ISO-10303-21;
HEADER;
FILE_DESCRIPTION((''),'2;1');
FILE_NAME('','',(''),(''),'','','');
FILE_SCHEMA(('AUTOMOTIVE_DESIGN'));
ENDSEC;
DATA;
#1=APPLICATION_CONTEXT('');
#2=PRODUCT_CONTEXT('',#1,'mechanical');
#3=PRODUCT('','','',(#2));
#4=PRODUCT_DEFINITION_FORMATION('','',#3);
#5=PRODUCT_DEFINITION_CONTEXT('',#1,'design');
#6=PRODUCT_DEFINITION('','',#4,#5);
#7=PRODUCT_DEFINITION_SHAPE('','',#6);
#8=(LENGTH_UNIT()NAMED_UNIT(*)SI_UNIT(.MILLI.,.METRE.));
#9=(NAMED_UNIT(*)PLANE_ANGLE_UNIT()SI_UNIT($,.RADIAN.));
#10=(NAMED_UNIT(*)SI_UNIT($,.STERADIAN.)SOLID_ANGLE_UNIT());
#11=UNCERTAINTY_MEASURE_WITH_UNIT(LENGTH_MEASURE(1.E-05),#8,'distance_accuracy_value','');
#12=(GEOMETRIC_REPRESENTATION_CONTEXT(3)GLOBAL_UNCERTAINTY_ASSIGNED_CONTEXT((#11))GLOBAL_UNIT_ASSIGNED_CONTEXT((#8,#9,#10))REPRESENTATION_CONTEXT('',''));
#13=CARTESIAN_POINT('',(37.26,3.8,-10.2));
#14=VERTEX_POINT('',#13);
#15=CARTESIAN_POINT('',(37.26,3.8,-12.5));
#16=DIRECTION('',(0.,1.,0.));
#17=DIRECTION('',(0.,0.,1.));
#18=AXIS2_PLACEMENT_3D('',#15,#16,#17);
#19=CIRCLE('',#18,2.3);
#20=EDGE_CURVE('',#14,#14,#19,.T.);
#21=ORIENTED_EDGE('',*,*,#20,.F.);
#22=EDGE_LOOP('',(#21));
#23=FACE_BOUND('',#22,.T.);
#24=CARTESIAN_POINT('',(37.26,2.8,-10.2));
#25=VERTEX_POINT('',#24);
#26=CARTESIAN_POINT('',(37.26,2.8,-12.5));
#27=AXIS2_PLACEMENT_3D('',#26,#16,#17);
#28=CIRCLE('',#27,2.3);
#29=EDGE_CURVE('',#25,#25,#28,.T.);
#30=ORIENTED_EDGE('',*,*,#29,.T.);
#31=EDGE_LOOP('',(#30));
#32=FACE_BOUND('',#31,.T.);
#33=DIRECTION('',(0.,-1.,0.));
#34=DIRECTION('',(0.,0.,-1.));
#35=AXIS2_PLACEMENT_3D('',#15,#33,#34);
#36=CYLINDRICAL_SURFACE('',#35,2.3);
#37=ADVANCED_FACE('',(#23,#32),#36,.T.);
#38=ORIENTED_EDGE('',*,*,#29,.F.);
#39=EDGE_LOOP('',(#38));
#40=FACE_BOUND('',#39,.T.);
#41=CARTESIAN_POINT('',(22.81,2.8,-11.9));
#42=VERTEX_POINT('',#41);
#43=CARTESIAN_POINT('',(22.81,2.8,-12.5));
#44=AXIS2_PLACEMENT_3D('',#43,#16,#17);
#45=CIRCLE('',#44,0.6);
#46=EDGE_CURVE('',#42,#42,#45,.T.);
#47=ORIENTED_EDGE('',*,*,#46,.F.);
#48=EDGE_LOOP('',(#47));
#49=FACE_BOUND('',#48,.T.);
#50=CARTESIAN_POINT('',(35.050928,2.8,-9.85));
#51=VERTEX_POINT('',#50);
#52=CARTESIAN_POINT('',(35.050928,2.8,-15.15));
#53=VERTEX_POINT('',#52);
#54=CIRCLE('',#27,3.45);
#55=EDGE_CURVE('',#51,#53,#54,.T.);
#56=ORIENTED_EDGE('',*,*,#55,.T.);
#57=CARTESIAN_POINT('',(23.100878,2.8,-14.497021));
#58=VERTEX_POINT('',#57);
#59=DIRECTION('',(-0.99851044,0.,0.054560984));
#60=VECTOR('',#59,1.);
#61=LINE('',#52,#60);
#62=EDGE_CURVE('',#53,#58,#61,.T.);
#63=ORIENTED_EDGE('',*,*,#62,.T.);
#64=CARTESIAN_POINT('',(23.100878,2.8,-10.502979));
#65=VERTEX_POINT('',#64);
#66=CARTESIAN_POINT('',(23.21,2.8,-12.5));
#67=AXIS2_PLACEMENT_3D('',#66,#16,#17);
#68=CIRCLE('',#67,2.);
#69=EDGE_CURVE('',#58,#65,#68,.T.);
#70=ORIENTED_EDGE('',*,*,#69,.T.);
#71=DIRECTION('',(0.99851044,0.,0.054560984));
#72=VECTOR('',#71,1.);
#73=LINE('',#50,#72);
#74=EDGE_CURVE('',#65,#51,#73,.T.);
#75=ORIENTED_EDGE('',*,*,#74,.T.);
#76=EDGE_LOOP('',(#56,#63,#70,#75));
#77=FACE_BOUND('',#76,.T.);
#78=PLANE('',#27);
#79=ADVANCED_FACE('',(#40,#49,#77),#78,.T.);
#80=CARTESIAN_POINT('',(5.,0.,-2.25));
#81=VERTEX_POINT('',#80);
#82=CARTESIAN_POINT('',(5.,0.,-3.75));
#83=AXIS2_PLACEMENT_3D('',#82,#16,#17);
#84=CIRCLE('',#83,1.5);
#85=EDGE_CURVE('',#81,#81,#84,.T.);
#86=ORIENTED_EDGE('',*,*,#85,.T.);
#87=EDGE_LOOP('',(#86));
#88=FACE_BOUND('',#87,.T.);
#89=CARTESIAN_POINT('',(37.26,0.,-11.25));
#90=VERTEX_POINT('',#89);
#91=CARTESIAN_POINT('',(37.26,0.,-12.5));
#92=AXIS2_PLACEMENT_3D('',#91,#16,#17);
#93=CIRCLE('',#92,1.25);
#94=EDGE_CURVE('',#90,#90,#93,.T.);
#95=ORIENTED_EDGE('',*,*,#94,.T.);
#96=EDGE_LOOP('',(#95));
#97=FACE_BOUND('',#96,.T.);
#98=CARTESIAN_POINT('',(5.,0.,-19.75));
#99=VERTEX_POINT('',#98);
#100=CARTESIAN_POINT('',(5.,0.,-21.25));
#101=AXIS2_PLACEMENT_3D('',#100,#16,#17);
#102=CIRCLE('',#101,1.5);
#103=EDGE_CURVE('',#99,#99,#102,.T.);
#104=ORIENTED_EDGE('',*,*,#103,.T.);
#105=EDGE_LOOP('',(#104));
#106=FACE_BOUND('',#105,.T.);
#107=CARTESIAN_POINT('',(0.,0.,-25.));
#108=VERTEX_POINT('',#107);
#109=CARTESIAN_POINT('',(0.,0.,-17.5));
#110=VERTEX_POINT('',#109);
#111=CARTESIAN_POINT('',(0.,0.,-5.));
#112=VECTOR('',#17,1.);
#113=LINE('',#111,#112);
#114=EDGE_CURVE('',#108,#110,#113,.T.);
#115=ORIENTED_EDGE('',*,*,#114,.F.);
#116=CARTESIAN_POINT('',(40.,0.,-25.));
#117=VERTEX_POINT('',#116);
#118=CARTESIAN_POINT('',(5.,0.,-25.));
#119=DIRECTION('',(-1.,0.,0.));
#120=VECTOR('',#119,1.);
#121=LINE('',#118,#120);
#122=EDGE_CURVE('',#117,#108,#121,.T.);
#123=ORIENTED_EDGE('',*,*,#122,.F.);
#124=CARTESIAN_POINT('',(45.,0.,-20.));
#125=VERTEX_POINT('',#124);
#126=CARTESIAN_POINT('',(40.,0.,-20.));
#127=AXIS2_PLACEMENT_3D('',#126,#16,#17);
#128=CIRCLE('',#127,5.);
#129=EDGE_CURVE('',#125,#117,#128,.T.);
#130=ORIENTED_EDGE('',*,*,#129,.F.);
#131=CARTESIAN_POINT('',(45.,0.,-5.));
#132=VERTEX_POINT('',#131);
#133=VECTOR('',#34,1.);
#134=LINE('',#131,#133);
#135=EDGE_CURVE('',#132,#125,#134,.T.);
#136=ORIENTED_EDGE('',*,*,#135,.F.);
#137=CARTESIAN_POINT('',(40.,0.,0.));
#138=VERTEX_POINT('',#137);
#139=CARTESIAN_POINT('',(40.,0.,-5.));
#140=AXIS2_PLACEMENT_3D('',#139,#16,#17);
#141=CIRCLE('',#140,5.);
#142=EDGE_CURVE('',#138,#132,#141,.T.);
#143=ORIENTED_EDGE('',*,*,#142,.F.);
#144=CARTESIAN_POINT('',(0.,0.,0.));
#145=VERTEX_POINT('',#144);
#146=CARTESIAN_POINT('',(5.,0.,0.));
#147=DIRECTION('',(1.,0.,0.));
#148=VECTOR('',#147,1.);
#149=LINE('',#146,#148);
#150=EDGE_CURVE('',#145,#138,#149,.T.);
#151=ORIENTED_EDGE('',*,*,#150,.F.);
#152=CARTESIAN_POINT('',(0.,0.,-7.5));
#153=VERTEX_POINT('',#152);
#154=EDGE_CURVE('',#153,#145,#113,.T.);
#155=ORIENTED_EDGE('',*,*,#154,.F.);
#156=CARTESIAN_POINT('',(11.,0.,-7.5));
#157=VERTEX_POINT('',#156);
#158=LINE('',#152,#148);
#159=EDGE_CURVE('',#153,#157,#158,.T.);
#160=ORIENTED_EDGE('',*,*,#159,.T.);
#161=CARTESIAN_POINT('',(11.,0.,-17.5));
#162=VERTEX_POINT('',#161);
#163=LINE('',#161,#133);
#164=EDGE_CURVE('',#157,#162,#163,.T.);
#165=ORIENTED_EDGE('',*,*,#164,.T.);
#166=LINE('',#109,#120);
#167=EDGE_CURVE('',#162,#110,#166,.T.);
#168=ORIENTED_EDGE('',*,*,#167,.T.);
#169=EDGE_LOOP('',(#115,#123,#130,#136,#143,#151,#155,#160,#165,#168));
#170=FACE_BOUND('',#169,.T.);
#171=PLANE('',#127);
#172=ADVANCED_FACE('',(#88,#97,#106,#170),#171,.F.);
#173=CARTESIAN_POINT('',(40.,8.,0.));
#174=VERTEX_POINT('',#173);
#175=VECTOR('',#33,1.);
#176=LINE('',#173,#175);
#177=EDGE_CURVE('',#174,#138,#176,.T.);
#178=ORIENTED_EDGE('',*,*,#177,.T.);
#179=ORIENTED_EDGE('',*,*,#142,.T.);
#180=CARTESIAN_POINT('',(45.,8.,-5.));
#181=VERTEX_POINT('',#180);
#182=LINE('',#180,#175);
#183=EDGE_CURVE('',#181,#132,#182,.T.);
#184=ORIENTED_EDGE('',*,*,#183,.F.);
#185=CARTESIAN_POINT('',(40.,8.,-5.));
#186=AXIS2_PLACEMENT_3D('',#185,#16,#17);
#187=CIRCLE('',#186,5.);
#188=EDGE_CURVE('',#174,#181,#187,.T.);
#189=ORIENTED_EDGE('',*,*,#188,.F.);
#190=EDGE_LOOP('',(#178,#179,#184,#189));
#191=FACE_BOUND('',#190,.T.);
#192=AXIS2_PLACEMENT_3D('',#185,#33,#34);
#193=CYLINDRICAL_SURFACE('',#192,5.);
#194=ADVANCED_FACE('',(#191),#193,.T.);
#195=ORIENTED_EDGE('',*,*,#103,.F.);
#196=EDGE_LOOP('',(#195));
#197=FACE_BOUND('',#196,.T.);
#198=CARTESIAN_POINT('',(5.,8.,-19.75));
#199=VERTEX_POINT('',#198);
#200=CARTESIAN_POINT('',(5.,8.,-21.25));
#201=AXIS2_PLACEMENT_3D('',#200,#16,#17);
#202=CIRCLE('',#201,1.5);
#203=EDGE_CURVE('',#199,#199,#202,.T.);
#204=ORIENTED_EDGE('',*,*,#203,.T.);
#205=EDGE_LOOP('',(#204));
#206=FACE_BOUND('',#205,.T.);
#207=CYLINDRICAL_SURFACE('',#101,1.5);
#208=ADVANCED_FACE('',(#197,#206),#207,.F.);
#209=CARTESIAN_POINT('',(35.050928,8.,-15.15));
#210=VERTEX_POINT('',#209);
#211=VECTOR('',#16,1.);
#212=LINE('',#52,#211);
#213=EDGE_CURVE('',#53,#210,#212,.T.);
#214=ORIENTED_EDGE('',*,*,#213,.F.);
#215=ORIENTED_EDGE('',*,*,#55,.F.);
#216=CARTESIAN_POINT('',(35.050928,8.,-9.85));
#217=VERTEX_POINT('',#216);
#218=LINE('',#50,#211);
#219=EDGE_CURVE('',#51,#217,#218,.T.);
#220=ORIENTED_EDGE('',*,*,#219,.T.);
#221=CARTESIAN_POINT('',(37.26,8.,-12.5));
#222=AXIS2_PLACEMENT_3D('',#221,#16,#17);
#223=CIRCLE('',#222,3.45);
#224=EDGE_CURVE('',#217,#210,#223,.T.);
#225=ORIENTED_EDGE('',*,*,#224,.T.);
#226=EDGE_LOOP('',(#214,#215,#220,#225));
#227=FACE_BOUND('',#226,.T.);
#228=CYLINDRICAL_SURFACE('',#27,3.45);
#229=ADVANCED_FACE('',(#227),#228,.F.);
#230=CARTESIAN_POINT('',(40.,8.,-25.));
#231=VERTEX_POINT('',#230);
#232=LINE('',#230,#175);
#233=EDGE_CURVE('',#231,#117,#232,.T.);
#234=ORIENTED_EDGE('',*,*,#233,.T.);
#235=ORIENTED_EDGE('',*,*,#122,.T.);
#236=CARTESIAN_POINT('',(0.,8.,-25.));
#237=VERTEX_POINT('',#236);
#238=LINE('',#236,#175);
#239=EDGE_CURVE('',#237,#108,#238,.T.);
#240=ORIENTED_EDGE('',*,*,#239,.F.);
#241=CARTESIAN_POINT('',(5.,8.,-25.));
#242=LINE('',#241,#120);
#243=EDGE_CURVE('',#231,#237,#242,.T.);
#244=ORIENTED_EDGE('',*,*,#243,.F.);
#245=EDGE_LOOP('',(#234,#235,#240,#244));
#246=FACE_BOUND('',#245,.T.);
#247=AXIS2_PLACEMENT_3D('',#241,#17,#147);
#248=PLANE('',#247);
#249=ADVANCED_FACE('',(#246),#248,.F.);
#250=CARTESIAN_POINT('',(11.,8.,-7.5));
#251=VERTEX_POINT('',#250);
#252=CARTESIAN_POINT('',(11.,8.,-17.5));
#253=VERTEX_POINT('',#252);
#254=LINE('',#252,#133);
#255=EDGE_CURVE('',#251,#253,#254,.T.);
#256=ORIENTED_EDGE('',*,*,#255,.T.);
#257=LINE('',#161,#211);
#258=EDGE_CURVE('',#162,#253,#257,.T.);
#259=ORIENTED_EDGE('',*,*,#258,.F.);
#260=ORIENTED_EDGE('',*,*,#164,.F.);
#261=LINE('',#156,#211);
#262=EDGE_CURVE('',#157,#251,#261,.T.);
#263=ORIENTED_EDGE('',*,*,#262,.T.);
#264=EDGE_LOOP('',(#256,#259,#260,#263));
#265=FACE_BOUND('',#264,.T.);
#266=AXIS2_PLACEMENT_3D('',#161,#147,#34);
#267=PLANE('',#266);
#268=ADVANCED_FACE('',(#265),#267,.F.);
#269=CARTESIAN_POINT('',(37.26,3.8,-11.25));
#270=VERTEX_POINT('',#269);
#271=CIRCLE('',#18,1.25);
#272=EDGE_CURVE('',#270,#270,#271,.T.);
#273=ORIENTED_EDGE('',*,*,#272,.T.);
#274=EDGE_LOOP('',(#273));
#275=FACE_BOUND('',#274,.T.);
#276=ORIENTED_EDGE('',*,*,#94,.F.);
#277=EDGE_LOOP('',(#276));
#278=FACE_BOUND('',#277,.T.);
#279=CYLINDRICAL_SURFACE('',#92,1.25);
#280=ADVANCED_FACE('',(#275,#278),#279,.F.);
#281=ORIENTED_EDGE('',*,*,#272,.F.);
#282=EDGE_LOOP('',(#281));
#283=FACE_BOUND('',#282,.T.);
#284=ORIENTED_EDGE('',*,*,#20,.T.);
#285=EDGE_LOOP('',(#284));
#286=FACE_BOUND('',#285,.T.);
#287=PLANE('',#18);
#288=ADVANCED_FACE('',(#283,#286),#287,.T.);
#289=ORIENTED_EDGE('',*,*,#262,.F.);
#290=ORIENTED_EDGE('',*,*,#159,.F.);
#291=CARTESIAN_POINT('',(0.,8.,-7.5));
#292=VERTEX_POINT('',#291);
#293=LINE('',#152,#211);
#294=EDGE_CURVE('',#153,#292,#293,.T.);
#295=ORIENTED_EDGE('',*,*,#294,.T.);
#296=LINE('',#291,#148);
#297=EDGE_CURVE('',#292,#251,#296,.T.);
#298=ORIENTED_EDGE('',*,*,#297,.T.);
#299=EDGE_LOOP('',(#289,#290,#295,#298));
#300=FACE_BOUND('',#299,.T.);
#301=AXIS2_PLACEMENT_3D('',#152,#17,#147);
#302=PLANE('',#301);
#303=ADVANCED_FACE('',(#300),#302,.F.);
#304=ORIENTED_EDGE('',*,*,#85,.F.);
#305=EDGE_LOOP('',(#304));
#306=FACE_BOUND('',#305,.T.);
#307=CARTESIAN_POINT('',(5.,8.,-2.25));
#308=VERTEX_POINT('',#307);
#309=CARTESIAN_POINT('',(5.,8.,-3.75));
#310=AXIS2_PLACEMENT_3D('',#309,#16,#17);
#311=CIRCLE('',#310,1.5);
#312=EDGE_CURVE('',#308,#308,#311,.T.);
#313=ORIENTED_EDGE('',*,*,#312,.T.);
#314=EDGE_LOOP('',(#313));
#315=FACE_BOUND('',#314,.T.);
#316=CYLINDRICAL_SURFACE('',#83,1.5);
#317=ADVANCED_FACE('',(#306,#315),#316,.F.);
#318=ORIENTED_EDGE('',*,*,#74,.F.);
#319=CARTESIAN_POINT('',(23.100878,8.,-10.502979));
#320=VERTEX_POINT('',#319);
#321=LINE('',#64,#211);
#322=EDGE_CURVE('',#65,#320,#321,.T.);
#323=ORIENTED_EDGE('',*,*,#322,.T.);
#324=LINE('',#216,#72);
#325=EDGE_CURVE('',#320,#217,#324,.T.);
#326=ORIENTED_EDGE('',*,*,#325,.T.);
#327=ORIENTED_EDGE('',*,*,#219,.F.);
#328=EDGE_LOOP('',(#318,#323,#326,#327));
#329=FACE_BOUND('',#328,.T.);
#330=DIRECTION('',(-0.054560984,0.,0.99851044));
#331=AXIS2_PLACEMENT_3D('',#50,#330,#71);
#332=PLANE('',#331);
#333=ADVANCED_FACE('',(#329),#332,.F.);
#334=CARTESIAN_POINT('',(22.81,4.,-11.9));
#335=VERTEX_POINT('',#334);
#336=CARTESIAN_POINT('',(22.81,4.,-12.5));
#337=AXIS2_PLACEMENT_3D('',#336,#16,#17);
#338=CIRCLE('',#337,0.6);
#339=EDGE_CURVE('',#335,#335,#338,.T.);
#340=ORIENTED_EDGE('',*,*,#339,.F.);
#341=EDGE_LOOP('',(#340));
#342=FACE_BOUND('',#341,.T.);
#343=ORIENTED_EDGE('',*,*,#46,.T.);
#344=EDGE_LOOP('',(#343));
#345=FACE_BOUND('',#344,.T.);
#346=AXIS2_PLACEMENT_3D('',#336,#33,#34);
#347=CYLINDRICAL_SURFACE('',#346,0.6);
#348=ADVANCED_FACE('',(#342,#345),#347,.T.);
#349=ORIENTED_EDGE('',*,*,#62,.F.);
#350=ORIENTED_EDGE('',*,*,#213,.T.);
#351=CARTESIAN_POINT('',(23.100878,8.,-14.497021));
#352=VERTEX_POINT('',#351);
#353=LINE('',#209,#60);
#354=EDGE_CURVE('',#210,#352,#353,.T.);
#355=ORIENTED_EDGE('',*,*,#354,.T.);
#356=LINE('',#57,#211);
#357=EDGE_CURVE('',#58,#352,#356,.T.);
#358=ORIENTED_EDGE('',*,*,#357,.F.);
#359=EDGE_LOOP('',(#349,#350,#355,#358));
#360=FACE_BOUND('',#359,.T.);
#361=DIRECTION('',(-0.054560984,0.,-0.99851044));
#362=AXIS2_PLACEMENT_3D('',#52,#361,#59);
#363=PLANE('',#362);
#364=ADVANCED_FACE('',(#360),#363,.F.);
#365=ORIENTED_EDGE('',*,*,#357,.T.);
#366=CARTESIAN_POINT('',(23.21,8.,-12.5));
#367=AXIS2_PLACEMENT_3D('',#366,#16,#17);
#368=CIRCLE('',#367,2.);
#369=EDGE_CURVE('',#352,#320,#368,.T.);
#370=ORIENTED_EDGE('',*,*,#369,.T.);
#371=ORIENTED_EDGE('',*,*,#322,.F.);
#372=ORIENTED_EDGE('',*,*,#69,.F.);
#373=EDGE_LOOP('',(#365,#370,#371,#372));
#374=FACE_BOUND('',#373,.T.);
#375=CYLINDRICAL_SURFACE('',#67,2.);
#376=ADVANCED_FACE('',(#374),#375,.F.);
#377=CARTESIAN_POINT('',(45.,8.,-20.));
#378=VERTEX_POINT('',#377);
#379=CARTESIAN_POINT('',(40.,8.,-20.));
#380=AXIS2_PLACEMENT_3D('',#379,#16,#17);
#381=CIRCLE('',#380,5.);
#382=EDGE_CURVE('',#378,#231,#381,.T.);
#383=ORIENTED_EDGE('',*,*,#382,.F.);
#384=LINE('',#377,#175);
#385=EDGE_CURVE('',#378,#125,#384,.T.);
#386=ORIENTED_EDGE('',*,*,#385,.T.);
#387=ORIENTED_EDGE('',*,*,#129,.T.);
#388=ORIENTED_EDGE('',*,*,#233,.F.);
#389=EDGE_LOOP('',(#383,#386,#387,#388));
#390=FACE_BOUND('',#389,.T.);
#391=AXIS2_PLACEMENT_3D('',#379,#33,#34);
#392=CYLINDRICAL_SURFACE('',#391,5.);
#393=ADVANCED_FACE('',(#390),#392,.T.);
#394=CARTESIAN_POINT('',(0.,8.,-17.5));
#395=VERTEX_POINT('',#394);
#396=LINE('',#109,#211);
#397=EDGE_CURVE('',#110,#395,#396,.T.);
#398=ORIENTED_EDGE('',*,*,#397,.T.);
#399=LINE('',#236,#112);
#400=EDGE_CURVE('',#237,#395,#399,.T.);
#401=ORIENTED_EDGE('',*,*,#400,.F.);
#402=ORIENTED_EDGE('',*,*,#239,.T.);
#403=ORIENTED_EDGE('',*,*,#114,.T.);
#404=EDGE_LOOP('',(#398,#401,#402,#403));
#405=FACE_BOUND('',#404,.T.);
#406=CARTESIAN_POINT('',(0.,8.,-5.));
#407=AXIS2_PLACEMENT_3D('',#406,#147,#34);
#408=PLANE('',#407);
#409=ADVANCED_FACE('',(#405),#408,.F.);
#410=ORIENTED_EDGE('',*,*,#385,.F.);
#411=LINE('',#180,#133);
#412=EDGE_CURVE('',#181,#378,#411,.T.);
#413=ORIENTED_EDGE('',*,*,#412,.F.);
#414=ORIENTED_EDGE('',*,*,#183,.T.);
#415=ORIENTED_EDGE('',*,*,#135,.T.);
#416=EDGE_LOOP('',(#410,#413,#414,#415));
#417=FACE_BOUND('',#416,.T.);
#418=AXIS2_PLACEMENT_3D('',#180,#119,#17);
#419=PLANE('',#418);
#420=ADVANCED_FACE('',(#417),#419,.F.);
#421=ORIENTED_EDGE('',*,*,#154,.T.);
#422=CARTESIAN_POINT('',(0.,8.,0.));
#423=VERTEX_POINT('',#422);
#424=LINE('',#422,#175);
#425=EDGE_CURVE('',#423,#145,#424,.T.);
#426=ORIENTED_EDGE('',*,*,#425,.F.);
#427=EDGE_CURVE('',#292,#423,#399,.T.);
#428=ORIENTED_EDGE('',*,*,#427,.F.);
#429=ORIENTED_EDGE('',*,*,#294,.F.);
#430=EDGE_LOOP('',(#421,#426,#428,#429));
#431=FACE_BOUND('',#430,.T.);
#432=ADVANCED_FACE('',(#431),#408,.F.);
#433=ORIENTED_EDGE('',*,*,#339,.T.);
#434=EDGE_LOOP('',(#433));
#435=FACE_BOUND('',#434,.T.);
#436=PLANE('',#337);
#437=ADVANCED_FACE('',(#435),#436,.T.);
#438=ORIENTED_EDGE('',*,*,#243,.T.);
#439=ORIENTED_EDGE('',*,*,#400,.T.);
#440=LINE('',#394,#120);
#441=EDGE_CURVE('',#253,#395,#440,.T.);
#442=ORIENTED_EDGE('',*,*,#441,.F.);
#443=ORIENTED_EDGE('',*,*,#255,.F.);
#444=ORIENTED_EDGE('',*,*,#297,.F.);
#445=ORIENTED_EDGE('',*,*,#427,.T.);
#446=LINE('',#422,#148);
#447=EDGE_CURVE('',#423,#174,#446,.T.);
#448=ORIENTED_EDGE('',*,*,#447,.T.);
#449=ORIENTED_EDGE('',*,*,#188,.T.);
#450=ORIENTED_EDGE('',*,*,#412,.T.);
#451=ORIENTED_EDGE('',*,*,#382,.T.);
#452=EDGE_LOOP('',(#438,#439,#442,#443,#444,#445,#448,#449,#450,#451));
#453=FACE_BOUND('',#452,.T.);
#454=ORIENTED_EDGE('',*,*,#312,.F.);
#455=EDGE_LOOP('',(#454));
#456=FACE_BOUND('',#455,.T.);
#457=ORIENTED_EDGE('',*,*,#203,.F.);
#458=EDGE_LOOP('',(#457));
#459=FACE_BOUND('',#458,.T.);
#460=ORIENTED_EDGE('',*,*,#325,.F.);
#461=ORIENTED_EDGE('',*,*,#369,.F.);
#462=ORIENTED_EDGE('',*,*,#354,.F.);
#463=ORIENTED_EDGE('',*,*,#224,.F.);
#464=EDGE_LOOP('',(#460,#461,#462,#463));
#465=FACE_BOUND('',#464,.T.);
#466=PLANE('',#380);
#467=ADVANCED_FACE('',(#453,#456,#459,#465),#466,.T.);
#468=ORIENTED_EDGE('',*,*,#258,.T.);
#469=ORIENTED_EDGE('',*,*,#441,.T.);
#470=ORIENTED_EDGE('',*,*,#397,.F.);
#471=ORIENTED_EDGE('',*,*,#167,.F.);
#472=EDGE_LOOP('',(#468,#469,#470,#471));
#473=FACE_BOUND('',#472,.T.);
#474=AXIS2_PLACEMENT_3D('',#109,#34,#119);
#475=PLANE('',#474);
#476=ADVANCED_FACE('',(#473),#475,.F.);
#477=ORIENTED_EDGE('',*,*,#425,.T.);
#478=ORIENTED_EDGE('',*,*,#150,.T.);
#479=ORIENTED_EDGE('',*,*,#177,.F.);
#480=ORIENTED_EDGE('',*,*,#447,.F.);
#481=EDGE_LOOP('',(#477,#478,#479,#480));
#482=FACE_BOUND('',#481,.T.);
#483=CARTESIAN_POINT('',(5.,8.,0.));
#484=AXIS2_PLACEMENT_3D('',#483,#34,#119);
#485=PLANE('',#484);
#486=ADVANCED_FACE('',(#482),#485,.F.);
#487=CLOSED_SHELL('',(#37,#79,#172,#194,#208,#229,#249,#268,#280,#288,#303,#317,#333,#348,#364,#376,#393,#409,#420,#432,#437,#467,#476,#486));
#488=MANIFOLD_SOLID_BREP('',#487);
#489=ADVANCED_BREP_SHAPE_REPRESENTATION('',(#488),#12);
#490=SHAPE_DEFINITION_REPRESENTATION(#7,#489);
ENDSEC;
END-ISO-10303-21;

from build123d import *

# Parameters (mm, degrees)
BOSS_EXTRUDE1_DEPTH = 8
CUT_EXTRUDE1_DEPTH  = 5.2
SKETCH3_R           = 2.3
BOSS_EXTRUDE2_DEPTH = 1
SKETCH4_R           = 1.25
CUT_EXTRUDE2_DEPTH  = 4.8
SKETCH5_R           = 1.5
SKETCH5_W           = 11
SKETCH5_H           = 10
CUT_EXTRUDE3_DEPTH  = 9
SKETCH7_R           = 0.6
BOSS_EXTRUDE3_DEPTH = 1.2


with BuildPart() as part:
    # Sketch1 → Boss-Extrude1 (new body)
    with BuildSketch(Plane(origin=(0, 0, 0), x_dir=(1, 0, 0), z_dir=(0, 1, 0))):
        with BuildLine():
            Line((5, 0), (40, 0))
            ThreePointArc((40, 0), (43.535533906, 1.464466094), (45, 5))
            Line((45, 5), (45, 20))
            ThreePointArc((45, 20), (43.535533906, 23.535533906), (40, 25))
            Line((40, 25), (5, 25))
            Line((5, 25), (0, 25))
            Line((0, 25), (0, 20))
            Line((0, 20), (0, 5))
            Line((0, 5), (0, 0))
            Line((0, 0), (5, 0))
        make_face()
    extrude(amount=BOSS_EXTRUDE1_DEPTH)

    # Sketch2 → Cut-Extrude1 (cut)
    with BuildSketch(Plane(origin=(0, 8, 0), x_dir=(1, 0, 0), z_dir=(0, 1, 0))):
        with BuildLine():
            Line((35.050927797, 15.15), (23.100878033, 14.49702088))
            ThreePointArc((23.100878033, 14.49702088), (21.21, 12.5), (23.100878033, 10.50297912))
            Line((23.100878033, 10.50297912), (35.050927797, 9.85))
            ThreePointArc((35.050927797, 9.85), (40.71, 12.5), (35.050927797, 15.15))
        make_face()
    extrude(amount=-CUT_EXTRUDE1_DEPTH, mode=Mode.SUBTRACT)

    # Sketch3 → Boss-Extrude2 (add)
    with BuildSketch(Plane(origin=(0, 2.8, 0), x_dir=(1, 0, 0), z_dir=(0, 1, 0))):
        with Locations((37.26, 12.5)):
            Circle(SKETCH3_R)
    extrude(amount=BOSS_EXTRUDE2_DEPTH)

    # Sketch4 → Cut-Extrude2 (cut, through all)
    with BuildSketch(Plane(origin=(0, 3.8, 0), x_dir=(1, 0, 0), z_dir=(0, 1, 0))):
        with Locations((37.26, 12.5)):
            Circle(SKETCH4_R)
    extrude(amount=-CUT_EXTRUDE2_DEPTH, mode=Mode.SUBTRACT)

    # Sketch5 → Cut-Extrude3 (cut, through all)
    with BuildSketch(Plane(origin=(0, 8, 0), x_dir=(1, 0, 0), z_dir=(0, 1, 0))):
        with Locations((5, 21.25)):
            Circle(SKETCH5_R)
        with Locations((5, 3.75)):
            Circle(SKETCH5_R)
        with Locations((5.5, 12.5)):
            Rectangle(SKETCH5_W, SKETCH5_H)
    extrude(amount=-CUT_EXTRUDE3_DEPTH, mode=Mode.SUBTRACT)

    # Sketch7 → Boss-Extrude3 (add)
    with BuildSketch(Plane(origin=(0, 2.8, 0), x_dir=(1, 0, 0), z_dir=(0, 1, 0))):
        with Locations((22.81, 12.5)):
            Circle(SKETCH7_R)
    extrude(amount=BOSS_EXTRUDE3_DEPTH)


solid = part.part
